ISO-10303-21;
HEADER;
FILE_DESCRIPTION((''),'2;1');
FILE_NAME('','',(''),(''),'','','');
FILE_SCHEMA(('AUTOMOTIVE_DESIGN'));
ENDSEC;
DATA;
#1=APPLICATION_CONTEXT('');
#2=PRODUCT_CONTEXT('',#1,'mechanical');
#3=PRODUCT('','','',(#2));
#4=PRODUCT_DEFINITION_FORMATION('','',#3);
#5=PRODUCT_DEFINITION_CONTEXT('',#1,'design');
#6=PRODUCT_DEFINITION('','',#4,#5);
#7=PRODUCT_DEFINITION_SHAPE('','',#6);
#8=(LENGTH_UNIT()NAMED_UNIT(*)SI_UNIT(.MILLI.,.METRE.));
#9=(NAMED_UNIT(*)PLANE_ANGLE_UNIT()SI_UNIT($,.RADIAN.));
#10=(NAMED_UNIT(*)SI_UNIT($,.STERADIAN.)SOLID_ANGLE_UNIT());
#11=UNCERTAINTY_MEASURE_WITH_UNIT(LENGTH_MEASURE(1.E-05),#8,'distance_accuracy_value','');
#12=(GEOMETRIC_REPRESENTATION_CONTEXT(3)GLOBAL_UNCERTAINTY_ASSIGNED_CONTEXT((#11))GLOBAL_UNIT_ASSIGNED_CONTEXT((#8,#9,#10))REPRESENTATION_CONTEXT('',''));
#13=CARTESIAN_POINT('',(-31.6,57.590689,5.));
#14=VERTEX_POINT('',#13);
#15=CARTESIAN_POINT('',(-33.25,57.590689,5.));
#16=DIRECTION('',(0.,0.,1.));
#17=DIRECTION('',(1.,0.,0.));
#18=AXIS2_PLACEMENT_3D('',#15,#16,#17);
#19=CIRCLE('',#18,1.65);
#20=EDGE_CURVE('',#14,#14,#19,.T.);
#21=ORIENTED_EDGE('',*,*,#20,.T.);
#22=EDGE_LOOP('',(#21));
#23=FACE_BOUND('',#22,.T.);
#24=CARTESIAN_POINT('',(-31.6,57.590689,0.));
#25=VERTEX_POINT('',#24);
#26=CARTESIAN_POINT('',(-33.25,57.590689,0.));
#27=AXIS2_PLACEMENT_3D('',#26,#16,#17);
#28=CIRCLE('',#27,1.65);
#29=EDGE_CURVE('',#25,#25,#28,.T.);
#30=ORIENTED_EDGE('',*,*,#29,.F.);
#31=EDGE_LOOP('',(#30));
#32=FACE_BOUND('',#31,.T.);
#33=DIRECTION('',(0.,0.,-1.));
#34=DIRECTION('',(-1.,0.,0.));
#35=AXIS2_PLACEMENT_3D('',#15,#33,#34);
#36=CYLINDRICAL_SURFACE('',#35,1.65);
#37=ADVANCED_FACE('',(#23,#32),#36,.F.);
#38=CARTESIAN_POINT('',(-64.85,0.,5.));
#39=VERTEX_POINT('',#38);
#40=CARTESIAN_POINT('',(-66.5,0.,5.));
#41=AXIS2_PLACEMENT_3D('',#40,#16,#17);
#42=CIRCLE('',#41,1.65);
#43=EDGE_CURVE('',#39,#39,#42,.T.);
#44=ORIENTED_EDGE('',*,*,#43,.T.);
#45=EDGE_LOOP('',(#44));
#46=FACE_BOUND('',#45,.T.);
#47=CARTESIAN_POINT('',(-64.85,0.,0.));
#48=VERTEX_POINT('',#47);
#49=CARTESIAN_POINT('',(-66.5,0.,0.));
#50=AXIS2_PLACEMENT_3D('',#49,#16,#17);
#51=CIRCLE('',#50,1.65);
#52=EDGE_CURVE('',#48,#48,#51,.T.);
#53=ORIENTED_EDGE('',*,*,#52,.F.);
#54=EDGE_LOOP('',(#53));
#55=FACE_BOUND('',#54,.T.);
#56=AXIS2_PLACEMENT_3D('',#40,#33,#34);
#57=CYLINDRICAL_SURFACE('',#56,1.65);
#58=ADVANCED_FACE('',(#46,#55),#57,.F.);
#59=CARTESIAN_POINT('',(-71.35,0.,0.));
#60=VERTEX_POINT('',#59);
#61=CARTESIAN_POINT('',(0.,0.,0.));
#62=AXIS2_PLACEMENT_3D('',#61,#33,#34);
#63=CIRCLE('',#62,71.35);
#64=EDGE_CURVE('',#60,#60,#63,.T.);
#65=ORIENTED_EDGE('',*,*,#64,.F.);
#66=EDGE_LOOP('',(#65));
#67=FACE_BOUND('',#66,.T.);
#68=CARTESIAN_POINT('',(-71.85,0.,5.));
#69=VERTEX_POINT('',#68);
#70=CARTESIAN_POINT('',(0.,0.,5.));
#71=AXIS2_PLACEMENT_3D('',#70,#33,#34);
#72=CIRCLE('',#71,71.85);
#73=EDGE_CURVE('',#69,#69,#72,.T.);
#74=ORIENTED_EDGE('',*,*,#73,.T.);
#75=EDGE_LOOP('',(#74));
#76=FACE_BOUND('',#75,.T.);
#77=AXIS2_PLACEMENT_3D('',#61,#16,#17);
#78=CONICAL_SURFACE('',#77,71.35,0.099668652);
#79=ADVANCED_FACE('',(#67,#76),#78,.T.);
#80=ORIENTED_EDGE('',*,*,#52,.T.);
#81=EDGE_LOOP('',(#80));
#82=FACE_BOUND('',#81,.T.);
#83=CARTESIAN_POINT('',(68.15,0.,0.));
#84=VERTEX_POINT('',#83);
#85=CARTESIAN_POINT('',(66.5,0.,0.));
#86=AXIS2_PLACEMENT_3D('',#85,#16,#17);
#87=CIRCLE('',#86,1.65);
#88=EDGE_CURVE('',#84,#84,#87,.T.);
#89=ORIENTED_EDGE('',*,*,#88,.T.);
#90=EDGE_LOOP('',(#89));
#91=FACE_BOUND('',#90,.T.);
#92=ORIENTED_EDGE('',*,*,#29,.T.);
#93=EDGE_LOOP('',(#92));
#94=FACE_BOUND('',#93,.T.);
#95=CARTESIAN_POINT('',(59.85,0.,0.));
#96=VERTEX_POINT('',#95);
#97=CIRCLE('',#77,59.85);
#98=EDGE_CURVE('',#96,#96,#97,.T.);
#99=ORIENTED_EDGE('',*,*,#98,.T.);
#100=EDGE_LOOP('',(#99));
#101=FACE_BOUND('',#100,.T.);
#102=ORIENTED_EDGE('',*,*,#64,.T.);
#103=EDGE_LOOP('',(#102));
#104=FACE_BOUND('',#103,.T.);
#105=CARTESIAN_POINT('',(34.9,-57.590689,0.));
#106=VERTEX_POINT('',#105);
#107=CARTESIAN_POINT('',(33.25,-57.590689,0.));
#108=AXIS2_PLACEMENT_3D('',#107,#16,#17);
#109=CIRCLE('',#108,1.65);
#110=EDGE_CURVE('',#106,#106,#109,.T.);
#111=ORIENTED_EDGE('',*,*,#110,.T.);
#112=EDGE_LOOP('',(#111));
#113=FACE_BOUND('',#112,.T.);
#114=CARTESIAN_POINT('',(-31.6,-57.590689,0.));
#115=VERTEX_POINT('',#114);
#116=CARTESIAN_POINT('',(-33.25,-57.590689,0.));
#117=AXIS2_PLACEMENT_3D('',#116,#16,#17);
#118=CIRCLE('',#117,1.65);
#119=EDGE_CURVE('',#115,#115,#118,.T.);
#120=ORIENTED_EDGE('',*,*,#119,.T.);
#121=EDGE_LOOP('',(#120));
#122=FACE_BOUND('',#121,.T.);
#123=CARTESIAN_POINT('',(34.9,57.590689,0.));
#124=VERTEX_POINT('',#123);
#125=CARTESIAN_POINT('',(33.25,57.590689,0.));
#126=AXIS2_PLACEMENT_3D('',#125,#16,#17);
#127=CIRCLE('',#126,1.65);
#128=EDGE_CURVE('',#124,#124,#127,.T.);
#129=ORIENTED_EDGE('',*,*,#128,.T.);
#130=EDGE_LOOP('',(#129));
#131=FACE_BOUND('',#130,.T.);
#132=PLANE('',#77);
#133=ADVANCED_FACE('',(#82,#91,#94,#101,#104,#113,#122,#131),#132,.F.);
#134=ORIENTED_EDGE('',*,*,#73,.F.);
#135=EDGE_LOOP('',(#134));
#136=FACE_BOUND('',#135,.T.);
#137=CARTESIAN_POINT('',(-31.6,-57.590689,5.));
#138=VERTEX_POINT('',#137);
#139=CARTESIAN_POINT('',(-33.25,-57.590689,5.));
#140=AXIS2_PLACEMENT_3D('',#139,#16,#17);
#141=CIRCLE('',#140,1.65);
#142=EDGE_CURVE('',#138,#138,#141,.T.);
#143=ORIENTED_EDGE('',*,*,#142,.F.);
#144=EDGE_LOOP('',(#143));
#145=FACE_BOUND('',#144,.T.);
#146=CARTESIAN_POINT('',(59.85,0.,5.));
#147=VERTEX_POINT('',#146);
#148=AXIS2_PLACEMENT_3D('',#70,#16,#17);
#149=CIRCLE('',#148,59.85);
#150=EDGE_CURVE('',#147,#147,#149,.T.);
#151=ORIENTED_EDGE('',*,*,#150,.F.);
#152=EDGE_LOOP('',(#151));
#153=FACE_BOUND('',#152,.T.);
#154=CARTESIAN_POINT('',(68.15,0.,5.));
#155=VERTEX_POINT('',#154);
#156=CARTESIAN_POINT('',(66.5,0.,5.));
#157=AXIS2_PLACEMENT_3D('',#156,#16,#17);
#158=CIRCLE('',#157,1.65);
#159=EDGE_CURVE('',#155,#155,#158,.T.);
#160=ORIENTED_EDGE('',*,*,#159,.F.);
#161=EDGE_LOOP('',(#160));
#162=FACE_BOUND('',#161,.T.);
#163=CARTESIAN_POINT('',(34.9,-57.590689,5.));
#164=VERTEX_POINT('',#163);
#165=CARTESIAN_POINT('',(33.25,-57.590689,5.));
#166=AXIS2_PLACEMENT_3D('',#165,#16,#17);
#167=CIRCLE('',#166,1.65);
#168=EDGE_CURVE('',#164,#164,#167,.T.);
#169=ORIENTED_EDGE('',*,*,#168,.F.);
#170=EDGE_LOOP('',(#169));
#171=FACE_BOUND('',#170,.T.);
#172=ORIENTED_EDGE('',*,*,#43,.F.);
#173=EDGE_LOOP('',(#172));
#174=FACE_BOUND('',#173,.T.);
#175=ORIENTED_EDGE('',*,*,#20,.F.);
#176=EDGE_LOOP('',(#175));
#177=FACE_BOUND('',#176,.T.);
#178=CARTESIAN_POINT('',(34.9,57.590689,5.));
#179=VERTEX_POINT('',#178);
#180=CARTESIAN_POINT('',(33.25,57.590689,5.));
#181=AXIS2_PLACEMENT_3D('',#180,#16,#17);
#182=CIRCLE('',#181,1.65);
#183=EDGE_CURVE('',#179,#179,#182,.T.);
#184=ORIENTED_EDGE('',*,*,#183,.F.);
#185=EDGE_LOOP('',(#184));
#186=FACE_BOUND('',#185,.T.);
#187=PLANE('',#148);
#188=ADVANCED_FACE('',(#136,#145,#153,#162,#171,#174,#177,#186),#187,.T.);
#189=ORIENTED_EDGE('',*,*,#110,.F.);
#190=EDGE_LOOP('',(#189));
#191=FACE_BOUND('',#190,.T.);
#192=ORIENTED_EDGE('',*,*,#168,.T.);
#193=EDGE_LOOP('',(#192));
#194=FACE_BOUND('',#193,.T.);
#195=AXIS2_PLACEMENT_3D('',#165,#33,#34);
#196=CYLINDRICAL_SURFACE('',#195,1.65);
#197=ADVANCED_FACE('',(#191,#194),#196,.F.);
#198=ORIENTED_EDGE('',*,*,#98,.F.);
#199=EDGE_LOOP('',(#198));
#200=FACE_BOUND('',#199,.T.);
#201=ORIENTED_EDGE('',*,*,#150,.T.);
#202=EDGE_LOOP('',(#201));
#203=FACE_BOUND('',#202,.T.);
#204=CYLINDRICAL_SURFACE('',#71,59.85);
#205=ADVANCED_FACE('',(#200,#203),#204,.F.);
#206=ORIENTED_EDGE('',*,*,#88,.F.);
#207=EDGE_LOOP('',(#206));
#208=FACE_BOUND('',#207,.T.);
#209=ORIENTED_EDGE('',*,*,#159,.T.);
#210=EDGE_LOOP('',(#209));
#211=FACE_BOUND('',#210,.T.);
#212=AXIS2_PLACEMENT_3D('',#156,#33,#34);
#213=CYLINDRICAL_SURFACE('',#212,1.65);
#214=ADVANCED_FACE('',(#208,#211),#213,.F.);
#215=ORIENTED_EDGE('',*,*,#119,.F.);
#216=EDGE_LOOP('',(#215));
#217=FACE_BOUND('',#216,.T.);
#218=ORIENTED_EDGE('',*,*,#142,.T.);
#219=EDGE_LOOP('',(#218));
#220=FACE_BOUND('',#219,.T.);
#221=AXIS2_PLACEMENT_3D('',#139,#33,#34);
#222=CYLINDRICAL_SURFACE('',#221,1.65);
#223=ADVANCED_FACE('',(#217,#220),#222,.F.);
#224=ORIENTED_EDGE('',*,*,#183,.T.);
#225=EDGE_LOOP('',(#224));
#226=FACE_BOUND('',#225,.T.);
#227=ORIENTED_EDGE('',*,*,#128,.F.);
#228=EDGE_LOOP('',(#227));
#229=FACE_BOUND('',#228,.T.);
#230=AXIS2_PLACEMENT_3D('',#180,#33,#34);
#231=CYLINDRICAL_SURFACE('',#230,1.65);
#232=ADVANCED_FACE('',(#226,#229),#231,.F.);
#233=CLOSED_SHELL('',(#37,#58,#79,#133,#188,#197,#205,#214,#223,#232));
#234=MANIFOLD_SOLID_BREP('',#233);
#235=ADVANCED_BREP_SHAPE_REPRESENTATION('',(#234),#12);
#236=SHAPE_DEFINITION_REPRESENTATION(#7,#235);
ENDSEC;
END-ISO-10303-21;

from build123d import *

# Parameters (mm, degrees)
SKETCH1_R           = 71.85
SKETCH1_R_2         = 59.85
SKETCH1_R_3         = 1.65
BOSS_EXTRUDE1_DEPTH = 5


with BuildPart() as part:
    # Sketch1 → Boss-Extrude1 (new body)
    with BuildSketch(Plane.XY):
        Circle(SKETCH1_R)
        Circle(SKETCH1_R_2, mode=Mode.SUBTRACT)
        with Locations((66.5, 0)):
            Circle(SKETCH1_R_3, mode=Mode.SUBTRACT)
        with Locations((33.25, -57.590689352)):
            Circle(SKETCH1_R_3, mode=Mode.SUBTRACT)
        with Locations((-33.25, -57.590689352)):
            Circle(SKETCH1_R_3, mode=Mode.SUBTRACT)
        with Locations((-66.5, 0)):
            Circle(SKETCH1_R_3, mode=Mode.SUBTRACT)
        with Locations((-33.25, 57.590689352)):
            Circle(SKETCH1_R_3, mode=Mode.SUBTRACT)
        with Locations((33.25, 57.590689352)):
            Circle(SKETCH1_R_3, mode=Mode.SUBTRACT)
    extrude(amount=BOSS_EXTRUDE1_DEPTH)

    # Sketch2 → Cut-Revolve1 (revolve, cut)
    with BuildSketch(Plane(origin=(0, 0, 0), x_dir=(1, 0, 0), z_dir=(0, 1, 0)), mode=Mode.PRIVATE) as cut_revolve1_sk:
        Polygon((71.35, 0), (71.85, 0), (71.85, -5), align=None)
    revolve(cut_revolve1_sk.sketch.rotate(Axis((0, 0, 0), (0, 0, 1)), 180), axis=Axis((0, 0, 0), (0, 0, 1)), mode=Mode.SUBTRACT)


solid = part.part
